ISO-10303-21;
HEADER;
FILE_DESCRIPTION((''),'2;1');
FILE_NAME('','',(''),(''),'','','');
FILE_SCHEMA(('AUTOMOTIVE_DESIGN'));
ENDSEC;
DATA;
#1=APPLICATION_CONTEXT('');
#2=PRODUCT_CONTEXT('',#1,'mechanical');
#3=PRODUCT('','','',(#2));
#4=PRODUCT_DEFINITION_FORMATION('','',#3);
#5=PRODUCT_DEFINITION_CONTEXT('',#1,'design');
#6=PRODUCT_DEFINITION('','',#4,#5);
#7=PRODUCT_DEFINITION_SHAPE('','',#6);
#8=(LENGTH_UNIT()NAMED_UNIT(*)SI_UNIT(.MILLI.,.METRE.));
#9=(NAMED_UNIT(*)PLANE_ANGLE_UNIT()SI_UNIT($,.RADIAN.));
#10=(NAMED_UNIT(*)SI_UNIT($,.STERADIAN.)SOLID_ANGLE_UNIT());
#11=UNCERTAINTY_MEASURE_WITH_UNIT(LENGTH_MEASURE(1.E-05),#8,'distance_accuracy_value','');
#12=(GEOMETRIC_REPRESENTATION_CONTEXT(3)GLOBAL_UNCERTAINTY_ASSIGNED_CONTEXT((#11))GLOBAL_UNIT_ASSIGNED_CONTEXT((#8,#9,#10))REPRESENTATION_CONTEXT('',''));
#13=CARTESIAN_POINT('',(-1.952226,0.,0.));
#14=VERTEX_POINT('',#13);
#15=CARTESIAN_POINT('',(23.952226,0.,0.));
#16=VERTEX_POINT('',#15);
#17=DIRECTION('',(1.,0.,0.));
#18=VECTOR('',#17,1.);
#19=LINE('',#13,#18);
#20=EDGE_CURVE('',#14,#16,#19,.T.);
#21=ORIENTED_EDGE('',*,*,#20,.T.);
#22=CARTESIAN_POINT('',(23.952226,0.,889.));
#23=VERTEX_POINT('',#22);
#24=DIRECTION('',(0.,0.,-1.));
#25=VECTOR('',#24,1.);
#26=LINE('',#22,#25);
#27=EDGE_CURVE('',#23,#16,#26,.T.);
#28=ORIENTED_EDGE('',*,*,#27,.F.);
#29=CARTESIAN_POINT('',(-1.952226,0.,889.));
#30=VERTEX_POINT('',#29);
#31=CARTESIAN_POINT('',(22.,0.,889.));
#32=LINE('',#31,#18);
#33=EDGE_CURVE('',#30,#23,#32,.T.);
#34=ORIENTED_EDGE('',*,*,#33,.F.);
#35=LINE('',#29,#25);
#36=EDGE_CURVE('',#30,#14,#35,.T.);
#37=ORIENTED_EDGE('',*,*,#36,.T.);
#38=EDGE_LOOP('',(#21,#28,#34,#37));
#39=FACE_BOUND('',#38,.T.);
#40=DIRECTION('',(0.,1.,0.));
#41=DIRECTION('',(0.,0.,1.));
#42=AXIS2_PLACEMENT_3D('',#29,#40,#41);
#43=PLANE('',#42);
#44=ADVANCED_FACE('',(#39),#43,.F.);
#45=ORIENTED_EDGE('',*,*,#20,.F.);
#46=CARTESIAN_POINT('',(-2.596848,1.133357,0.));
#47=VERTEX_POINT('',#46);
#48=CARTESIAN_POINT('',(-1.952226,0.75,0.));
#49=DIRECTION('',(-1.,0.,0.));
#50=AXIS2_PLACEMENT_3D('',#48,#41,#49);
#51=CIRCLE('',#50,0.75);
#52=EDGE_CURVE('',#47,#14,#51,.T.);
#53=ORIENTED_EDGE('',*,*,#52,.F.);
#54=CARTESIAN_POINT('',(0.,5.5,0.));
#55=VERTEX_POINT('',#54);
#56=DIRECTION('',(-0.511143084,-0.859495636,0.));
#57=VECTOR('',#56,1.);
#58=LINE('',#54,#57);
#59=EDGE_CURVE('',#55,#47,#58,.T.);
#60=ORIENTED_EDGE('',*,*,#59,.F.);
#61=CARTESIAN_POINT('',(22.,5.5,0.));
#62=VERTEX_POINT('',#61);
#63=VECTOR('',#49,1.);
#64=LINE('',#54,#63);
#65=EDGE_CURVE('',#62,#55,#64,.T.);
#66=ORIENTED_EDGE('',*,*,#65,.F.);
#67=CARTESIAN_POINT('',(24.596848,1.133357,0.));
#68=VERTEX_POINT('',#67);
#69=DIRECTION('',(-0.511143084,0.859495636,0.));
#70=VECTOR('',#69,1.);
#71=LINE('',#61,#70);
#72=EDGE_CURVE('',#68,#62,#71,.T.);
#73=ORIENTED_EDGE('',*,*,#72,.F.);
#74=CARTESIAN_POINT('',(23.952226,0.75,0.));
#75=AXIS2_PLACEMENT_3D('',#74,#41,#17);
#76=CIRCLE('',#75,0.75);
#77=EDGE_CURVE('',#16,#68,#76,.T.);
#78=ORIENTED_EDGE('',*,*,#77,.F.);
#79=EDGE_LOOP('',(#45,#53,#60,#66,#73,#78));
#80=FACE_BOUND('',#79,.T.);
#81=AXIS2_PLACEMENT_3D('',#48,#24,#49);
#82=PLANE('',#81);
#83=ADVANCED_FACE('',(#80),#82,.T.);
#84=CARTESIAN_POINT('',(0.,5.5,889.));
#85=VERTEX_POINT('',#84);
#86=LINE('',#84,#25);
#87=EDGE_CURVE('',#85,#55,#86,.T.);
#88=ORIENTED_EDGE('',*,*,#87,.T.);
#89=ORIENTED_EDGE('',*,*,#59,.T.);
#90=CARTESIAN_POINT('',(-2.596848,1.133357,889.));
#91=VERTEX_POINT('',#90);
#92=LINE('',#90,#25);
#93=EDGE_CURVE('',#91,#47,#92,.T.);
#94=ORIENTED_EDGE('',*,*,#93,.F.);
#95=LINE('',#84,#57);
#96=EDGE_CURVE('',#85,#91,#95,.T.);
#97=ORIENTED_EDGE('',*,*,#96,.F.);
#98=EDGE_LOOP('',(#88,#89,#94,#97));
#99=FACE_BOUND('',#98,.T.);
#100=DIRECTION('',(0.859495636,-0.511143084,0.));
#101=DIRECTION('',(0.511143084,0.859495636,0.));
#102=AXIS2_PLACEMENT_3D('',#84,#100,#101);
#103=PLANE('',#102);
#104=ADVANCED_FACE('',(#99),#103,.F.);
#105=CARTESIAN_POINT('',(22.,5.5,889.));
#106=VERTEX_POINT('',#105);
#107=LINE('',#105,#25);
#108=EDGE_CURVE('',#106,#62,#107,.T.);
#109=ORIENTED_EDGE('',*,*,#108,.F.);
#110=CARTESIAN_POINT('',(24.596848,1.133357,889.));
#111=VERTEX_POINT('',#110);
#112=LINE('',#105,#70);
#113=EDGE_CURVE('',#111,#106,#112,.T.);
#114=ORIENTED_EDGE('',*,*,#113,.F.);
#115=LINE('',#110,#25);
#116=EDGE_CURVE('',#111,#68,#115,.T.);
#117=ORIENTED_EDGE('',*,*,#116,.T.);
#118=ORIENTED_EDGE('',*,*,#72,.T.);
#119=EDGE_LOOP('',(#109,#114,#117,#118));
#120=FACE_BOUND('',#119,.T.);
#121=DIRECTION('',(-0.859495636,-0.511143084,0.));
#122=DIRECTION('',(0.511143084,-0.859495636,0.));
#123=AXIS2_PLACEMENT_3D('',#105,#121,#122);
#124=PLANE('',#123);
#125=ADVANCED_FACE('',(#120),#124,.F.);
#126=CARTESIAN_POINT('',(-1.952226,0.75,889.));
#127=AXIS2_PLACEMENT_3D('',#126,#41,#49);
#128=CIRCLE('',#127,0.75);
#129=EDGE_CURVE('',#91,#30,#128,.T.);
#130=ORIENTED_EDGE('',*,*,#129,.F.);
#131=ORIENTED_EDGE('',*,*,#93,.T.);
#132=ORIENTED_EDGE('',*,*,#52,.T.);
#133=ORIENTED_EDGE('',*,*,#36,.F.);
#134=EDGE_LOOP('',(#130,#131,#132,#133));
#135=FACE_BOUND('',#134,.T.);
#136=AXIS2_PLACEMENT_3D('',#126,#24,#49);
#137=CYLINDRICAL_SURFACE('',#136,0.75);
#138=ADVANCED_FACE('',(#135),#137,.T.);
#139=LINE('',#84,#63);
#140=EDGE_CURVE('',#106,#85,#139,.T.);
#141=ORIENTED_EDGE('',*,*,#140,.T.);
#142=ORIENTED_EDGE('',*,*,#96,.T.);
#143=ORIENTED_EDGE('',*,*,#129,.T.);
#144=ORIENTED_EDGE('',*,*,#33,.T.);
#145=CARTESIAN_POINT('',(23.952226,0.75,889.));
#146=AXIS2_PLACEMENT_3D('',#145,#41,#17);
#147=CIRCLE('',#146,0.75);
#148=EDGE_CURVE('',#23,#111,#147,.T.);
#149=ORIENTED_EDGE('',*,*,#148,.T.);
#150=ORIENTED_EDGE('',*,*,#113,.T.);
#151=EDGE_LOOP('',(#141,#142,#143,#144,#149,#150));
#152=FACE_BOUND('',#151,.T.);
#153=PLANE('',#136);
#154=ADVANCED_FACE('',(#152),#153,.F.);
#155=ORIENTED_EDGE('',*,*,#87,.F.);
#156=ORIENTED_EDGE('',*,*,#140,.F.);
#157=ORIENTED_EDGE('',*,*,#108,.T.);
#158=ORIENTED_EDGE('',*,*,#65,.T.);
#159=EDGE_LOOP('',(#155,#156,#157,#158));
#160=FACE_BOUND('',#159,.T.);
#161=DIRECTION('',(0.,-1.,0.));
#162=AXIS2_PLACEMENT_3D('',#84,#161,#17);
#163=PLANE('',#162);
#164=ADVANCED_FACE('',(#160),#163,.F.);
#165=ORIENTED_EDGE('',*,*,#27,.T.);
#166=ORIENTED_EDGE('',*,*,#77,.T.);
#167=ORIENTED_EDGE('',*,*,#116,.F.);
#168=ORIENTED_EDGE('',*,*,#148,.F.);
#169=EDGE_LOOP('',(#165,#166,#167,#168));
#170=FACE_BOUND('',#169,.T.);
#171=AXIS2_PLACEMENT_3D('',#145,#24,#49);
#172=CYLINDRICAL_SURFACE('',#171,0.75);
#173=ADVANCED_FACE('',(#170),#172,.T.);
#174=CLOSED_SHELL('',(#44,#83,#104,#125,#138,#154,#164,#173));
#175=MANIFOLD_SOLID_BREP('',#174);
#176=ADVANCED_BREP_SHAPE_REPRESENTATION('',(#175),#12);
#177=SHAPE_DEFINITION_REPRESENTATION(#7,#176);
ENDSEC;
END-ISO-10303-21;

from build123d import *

# Parameters (mm, degrees)
BOSS_EXTRUDE1_DEPTH = 889


with BuildPart() as part:
    # Sketch1 → Boss-Extrude1 (new body)
    with BuildSketch(Plane.XY):
        with BuildLine():
            Line((0, 5.5), (-2.596847634, 1.133357313))
            ThreePointArc((-2.596847634, 1.133357313), (-2.604153044, 0.379202201), (-1.952225907, 0))
            Line((-1.952225907, 0), (0, 0))
            Line((0, 0), (22, 0))
            Line((22, 0), (23.952225907, 0))
            ThreePointArc((23.952225907, 0), (24.604153044, 0.379202201), (24.596847634, 1.133357313))
            Line((24.596847634, 1.133357313), (22, 5.5))
            Line((22, 5.5), (0, 5.5))
        make_face()
    extrude(amount=BOSS_EXTRUDE1_DEPTH)


solid = part.part
